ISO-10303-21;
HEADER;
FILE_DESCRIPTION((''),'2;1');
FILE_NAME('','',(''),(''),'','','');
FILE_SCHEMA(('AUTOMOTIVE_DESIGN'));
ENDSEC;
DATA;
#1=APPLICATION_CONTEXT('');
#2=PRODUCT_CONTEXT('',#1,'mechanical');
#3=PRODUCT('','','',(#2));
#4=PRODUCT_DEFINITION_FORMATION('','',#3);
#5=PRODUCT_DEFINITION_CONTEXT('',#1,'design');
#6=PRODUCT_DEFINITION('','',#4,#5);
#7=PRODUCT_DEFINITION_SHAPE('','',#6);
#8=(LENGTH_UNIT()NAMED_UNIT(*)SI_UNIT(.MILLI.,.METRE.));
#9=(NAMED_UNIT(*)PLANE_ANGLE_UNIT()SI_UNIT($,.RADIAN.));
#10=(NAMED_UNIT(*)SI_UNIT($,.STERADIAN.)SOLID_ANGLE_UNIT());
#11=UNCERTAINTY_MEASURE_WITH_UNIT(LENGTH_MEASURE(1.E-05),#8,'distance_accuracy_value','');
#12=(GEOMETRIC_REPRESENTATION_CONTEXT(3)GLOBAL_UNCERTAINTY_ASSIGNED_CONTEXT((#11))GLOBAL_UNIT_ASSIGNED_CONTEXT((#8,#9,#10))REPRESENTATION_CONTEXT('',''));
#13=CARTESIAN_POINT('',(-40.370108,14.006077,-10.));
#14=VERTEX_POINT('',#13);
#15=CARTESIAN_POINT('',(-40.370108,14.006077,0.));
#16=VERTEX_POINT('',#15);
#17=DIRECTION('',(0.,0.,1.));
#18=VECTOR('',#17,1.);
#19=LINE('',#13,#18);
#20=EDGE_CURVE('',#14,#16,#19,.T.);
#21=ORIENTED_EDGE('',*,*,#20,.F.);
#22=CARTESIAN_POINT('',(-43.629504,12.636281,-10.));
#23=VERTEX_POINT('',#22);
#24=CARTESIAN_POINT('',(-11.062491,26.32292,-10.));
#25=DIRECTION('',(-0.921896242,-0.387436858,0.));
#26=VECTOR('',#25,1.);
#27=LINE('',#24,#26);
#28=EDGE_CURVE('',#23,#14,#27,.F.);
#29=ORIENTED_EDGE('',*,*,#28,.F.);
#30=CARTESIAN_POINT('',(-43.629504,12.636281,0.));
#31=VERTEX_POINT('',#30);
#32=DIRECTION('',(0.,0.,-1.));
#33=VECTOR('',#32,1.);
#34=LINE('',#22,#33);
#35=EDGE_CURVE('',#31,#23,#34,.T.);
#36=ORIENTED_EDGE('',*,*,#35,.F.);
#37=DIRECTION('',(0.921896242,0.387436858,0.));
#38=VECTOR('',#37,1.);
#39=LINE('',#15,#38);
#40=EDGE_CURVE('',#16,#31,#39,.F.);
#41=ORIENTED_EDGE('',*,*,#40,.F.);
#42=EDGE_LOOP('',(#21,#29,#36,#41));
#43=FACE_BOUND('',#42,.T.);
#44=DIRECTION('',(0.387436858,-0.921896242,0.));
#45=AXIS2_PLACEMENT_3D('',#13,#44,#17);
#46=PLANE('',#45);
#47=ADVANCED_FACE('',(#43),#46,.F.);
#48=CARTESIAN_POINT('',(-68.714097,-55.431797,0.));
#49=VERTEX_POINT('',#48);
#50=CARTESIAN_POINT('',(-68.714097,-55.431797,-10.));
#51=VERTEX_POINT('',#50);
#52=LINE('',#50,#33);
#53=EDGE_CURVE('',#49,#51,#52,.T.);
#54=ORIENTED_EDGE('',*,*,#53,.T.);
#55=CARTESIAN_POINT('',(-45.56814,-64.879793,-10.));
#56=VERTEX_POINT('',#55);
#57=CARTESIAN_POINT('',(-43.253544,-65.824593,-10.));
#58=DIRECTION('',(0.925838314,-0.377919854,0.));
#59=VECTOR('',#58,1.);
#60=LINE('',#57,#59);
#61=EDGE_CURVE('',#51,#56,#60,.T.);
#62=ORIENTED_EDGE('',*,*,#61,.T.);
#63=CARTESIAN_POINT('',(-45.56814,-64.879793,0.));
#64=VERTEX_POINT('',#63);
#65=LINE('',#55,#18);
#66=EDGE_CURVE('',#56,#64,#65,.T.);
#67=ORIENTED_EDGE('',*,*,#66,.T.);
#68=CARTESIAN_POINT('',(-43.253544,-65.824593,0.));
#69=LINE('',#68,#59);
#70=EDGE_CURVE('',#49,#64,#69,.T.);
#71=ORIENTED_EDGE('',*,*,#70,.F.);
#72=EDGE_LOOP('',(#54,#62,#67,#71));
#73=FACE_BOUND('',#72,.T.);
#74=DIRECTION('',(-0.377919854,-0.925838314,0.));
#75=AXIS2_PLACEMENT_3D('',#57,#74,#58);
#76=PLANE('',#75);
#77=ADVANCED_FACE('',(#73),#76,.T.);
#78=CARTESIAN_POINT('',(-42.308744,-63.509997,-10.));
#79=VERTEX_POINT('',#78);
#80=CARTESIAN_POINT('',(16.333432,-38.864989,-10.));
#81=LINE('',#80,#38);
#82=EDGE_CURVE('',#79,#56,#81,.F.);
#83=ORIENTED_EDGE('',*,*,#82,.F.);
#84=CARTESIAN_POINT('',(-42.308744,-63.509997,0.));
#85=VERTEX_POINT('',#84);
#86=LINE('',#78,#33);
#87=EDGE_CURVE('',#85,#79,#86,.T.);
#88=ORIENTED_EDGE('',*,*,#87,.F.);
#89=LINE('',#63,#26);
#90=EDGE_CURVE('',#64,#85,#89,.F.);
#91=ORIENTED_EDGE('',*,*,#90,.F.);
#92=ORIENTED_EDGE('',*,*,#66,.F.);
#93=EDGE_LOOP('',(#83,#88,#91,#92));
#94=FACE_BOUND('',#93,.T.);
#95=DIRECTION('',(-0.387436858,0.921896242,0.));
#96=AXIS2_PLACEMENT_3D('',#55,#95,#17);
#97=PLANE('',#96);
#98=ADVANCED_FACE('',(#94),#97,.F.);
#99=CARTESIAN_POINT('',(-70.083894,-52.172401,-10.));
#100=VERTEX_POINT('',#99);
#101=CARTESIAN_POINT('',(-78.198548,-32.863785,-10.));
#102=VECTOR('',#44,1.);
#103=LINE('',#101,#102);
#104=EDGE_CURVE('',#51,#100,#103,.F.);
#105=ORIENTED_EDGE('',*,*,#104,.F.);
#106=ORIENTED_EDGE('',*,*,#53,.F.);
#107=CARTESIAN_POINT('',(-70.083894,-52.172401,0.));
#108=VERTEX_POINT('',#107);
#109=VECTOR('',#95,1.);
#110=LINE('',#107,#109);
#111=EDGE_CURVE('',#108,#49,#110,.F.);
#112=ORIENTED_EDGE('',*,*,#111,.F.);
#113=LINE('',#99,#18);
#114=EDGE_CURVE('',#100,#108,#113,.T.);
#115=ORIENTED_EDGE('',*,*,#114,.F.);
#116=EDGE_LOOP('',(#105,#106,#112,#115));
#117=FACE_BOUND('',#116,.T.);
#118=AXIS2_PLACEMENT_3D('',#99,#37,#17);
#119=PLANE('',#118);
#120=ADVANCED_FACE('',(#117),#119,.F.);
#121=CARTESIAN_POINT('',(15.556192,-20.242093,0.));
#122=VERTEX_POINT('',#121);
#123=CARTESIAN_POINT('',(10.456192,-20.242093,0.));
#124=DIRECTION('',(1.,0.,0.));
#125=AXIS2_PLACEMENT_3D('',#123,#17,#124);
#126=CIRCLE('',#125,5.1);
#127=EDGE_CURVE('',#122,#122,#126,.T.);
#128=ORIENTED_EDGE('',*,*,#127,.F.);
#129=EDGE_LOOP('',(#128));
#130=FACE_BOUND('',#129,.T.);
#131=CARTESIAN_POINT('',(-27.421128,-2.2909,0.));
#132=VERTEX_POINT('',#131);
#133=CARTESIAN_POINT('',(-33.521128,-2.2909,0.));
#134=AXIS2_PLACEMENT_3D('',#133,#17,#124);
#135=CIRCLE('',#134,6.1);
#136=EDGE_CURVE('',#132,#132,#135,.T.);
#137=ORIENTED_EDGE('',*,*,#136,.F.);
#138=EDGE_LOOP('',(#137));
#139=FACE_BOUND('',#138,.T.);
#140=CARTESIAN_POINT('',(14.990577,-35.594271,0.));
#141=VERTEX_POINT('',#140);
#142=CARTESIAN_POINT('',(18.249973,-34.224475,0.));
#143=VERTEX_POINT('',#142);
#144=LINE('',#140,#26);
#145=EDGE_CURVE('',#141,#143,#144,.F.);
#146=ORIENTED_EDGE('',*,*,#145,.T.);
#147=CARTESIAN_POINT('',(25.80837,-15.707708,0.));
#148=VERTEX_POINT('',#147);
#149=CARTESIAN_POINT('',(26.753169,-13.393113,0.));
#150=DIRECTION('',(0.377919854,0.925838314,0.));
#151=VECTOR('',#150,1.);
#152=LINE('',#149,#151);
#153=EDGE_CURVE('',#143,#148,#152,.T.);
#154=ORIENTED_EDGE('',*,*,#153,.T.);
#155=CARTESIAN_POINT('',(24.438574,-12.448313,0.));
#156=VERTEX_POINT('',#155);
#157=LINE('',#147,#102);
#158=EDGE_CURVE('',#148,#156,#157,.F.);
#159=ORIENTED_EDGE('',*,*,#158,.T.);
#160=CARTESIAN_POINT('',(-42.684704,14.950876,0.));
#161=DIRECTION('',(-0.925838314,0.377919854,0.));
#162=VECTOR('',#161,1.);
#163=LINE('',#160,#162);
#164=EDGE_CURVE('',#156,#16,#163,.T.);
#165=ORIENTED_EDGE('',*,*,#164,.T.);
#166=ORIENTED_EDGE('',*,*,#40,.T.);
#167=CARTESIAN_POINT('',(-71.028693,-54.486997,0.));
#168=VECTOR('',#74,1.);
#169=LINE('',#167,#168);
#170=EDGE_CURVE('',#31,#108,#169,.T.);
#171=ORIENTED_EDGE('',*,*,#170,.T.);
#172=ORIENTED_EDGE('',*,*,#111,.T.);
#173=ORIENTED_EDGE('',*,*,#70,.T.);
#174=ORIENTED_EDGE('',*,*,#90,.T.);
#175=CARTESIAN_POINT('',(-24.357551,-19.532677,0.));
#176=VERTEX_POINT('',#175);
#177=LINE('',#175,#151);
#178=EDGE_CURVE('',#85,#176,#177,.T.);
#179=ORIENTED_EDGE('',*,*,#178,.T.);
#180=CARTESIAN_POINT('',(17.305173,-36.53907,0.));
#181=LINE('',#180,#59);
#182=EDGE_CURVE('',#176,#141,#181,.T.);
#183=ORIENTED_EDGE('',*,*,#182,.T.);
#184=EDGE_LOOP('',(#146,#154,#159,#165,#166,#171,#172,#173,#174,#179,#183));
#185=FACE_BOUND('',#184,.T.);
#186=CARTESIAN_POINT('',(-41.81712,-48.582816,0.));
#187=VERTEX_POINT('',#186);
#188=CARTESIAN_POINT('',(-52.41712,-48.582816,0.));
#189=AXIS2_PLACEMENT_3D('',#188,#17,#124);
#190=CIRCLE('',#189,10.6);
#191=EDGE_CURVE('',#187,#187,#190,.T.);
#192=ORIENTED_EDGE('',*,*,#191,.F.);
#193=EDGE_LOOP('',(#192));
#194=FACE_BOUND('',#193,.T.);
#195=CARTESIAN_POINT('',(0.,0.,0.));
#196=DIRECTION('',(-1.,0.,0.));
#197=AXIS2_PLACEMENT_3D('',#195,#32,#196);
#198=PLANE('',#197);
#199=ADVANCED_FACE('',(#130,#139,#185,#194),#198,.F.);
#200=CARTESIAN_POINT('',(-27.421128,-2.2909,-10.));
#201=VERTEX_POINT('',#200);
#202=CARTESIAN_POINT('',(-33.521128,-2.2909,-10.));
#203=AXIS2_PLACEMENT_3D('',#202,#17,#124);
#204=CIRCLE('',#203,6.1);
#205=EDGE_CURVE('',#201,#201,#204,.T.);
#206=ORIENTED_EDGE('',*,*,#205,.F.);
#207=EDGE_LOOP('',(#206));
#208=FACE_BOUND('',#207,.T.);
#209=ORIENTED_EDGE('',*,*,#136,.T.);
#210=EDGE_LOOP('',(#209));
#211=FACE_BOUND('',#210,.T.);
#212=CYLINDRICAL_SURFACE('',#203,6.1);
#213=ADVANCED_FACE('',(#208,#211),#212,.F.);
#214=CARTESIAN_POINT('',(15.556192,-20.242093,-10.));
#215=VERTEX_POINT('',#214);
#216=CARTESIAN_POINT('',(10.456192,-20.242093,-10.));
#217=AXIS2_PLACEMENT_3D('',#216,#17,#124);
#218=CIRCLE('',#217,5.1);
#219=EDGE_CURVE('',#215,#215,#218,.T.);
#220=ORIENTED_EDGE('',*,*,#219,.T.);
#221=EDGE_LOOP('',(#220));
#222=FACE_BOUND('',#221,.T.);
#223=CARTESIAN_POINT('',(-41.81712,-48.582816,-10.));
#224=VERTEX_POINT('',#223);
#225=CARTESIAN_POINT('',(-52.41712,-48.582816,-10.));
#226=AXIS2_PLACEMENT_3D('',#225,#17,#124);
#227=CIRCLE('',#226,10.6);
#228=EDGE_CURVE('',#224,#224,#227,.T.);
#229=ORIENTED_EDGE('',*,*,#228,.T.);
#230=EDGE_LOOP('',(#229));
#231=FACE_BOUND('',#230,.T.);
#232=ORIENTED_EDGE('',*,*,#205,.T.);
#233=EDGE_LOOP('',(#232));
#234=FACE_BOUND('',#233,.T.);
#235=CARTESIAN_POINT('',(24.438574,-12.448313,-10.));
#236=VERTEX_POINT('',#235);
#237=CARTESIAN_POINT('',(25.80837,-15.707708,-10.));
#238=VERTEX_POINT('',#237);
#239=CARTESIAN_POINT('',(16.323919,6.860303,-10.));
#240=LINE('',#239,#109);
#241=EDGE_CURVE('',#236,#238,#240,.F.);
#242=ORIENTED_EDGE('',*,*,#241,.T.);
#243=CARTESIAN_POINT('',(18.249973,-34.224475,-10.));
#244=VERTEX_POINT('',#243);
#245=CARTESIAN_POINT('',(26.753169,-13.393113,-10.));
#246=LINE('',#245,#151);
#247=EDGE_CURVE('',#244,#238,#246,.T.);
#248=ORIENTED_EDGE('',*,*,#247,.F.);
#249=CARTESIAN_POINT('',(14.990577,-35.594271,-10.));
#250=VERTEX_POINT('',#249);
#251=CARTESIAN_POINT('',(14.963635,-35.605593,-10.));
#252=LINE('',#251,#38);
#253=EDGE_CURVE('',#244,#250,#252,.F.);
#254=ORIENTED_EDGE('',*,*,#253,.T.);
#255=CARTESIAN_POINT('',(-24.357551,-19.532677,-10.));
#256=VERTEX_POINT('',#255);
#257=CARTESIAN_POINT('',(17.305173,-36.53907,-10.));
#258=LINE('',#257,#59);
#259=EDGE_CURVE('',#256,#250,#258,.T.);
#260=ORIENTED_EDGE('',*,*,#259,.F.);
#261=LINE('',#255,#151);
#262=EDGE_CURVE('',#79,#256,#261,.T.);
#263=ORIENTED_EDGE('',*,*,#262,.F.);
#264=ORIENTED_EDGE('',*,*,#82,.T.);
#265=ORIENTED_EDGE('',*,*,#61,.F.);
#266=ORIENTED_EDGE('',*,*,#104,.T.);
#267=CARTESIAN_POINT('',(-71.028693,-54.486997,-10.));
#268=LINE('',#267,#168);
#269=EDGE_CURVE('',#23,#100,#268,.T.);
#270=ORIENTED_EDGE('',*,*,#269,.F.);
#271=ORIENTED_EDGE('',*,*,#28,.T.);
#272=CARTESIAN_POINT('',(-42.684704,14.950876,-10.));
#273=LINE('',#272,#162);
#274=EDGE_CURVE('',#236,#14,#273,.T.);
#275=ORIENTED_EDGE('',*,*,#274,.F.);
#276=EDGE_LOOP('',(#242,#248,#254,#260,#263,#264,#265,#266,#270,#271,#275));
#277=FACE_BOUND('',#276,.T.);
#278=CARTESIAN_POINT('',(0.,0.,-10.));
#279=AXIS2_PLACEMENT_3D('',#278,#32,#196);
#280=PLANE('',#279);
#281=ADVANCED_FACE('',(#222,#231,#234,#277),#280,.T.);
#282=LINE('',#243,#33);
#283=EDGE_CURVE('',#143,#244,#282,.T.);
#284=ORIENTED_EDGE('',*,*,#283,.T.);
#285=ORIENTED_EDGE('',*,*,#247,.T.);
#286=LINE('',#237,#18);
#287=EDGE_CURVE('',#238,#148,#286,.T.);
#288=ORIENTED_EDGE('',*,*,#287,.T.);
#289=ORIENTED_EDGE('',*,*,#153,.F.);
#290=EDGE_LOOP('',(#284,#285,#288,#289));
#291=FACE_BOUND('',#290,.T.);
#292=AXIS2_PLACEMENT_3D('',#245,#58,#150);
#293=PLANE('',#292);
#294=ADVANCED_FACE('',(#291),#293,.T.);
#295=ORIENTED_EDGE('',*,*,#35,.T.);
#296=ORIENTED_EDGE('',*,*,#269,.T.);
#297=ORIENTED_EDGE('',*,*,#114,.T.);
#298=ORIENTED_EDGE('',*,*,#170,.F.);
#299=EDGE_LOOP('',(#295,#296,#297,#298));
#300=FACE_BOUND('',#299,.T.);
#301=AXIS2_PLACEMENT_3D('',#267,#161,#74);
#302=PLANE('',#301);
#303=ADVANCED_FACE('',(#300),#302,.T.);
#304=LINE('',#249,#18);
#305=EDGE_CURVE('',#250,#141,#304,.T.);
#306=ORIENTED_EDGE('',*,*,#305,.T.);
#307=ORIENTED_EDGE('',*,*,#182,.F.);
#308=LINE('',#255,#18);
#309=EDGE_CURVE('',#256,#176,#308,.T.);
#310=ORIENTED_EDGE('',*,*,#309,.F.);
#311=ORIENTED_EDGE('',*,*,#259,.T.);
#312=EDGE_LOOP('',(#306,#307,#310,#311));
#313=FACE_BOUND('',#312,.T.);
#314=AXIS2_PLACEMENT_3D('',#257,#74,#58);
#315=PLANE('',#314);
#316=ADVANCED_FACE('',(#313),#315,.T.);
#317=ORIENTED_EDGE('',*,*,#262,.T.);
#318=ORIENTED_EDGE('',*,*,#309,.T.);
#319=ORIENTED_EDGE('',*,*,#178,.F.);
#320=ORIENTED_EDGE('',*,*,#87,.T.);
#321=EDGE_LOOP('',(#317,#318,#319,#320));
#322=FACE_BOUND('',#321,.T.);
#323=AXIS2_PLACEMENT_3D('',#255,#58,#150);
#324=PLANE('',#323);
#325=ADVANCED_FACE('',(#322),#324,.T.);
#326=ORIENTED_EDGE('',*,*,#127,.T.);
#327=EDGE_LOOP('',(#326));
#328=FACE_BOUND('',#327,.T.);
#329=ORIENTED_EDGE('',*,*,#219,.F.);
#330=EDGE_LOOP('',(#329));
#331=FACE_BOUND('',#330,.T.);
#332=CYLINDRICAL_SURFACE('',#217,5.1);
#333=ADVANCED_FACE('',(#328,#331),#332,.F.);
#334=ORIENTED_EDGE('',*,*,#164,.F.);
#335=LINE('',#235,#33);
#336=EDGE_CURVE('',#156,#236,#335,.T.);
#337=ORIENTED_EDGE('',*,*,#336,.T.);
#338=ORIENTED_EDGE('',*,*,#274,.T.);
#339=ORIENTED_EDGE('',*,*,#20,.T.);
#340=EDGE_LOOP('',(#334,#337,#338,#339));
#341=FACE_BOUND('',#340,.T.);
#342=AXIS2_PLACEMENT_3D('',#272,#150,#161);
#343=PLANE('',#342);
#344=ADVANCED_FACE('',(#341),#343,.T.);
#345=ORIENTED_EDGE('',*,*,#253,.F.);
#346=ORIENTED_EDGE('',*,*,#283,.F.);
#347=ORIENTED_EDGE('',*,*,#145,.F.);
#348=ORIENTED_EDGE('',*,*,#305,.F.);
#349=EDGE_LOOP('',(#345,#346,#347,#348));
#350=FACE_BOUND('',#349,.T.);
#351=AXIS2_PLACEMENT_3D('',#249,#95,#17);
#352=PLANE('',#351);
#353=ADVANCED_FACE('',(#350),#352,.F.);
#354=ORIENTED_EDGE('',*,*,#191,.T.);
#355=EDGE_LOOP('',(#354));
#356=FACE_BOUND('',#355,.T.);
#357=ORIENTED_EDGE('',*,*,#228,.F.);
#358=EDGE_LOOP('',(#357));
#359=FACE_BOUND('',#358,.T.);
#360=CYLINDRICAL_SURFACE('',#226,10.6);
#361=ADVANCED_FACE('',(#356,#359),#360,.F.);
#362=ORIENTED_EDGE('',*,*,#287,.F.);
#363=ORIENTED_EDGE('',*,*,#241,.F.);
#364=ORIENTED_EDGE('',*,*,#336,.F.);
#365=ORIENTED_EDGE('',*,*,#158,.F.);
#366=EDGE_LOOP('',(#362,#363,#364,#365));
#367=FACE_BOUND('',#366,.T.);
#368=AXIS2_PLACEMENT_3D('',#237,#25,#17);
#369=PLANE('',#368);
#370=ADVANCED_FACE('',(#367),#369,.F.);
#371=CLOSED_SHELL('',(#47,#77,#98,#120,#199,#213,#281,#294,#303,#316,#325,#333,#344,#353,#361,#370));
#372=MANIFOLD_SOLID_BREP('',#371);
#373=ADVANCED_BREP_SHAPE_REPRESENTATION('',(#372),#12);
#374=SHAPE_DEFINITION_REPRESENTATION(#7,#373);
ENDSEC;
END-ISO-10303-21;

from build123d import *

# Parameters (mm, degrees)
SKETCH_1_R      = 5.1
SKETCH_1_R_2    = 6.1
SKETCH_1_R_3    = 10.6
EXTRUDE_1_DEPTH = 10
CHAMFER_1_SIZE  = 2.5


with BuildPart() as part:
    # 草圖1 → 填料-伸長1 (new body)
    with BuildSketch(Plane.XY):
        Polygon((-42.684704159, 14.950876454), (26.753169389, -13.39311263), (17.305173028, -36.539070479), (-24.357551101, -19.532677029), (-43.253543823, -65.824592728), (-71.028693242, -54.486997094), align=None)
        with Locations((10.456192284, -20.242093374)):
            Circle(SKETCH_1_R, mode=Mode.SUBTRACT)
        with Locations((-33.52112763, -2.290900288)):
            Circle(SKETCH_1_R_2, mode=Mode.SUBTRACT)
        with Locations((-52.417120352, -48.582815986)):
            Circle(SKETCH_1_R_3, mode=Mode.SUBTRACT)
    extrude(amount=-EXTRUDE_1_DEPTH)

    # 導角1
    chamfer_1_edges = [part.edges().sort_by_distance(p)[0] for p in [
        (-42.684704159, 14.950876454, -5),
        (26.753169389, -13.39311263, -5),
        (17.305173028, -36.539070479, -5),
        (-43.253543823, -65.824592728, -5),
        (-71.028693242, -54.486997094, -5),
    ]]
    chamfer(chamfer_1_edges, length=CHAMFER_1_SIZE)


solid = part.part
